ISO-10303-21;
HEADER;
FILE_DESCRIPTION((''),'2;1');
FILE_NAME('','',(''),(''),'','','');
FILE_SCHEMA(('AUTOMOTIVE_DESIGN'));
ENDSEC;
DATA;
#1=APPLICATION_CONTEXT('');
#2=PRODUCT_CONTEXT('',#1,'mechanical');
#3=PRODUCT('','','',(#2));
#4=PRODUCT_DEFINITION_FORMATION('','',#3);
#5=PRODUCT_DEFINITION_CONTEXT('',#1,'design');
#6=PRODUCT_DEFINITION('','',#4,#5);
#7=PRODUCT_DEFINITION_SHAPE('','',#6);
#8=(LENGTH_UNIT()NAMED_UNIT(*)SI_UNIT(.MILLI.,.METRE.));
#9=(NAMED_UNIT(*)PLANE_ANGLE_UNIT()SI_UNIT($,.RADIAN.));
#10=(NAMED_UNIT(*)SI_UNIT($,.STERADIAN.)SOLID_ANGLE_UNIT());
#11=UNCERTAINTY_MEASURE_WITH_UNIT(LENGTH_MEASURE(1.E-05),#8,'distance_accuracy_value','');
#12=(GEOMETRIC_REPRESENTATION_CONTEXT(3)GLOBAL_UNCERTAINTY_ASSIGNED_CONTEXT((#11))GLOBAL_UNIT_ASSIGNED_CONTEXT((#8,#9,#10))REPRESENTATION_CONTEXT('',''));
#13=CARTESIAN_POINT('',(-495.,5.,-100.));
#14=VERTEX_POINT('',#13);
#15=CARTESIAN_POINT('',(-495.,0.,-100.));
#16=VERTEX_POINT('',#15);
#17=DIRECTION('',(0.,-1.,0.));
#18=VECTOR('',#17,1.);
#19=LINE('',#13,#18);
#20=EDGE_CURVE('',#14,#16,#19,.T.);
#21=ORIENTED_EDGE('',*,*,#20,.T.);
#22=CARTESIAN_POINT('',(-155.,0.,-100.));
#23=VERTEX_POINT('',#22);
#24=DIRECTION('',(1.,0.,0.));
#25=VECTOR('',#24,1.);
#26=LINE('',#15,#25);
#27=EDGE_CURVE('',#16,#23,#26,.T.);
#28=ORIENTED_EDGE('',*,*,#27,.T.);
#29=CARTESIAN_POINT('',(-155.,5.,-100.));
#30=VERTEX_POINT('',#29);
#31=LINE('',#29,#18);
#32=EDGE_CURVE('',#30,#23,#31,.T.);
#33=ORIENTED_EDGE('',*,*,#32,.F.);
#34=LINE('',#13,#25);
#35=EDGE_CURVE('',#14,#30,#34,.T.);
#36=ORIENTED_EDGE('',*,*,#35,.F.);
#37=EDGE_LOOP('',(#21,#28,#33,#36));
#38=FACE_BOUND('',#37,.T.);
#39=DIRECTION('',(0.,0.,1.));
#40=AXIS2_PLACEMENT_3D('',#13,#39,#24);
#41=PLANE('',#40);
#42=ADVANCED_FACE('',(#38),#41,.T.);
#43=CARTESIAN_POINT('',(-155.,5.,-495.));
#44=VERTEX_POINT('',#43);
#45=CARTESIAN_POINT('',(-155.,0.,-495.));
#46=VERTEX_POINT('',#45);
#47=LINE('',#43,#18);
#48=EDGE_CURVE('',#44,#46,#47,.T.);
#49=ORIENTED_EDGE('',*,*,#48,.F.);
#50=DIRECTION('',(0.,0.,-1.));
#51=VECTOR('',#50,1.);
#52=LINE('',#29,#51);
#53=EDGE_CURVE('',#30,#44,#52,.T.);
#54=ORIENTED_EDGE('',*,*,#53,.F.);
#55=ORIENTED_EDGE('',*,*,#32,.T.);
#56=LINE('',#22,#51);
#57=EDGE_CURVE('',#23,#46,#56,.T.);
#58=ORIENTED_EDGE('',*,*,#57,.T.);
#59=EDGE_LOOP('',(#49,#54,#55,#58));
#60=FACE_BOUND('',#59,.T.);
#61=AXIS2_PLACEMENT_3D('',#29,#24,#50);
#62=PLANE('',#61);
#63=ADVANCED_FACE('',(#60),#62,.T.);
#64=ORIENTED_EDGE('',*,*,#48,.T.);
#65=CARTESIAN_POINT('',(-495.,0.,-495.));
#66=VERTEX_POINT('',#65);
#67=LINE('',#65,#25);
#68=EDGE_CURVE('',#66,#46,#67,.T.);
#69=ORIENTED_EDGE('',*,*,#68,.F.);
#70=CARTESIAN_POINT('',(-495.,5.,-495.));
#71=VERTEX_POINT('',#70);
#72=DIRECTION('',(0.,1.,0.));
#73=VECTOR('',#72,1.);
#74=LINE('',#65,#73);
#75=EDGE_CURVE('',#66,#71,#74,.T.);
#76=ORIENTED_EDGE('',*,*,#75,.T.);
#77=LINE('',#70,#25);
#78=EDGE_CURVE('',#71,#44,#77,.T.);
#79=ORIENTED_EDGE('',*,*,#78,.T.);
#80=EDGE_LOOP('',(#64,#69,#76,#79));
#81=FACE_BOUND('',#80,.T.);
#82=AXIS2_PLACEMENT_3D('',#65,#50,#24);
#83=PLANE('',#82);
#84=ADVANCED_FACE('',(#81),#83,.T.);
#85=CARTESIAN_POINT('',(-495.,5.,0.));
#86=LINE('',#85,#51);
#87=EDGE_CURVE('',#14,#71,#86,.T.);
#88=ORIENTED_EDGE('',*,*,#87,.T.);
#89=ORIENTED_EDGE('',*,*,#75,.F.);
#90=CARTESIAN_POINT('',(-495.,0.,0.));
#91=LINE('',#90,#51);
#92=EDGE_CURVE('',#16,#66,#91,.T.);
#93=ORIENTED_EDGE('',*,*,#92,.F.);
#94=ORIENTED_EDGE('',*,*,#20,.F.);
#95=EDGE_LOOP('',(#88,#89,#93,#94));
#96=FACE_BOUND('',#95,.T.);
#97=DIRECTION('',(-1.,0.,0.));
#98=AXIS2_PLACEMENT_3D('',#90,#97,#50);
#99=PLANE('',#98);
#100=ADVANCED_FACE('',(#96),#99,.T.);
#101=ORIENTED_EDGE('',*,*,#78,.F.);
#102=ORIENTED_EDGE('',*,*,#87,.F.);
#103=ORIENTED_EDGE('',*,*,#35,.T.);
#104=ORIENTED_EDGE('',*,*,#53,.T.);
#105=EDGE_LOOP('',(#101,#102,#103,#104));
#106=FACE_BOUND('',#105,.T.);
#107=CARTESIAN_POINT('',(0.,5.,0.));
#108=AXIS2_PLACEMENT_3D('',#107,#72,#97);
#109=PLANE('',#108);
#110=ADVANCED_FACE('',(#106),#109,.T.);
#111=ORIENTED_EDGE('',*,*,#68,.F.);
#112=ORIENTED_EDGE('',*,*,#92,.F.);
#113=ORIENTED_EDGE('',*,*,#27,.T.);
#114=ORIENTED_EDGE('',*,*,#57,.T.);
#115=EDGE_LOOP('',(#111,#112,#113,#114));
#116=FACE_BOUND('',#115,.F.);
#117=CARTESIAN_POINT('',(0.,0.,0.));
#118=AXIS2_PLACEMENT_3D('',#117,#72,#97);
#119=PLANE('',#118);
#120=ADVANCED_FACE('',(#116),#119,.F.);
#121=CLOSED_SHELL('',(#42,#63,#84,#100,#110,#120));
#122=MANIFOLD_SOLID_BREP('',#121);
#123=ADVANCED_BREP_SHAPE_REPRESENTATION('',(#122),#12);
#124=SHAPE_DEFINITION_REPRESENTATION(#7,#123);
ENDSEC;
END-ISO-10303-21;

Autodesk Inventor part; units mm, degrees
ref_plane "YZ Plane" through (0, 0, 0) normal (1, 0, 0) x (0, 1, 0)
ref_plane "XZ Plane" through (0, 0, 0) normal (0, 1, 0) x (-1, 0, 0)
ref_plane "XY Plane" through (0, 0, 0) normal (0, 0, 1) x (1, 0, 0)
sketch "Esquisse1" plane through (0, 0, 0) normal (0, 1, 0) x (-1, 0, 0)
  line L0 (0, 0) -> (495, 0)
  line L1 (495, 0) -> (495, -495)
  line L2 (495, -495) -> (0, -495)
  line L3 (0, -495) -> (0, 0)
  dimension "d0" = 495
  dimension "d1" = 495
extrude "Extrusion1" add sketch "Esquisse1" along normal blind 5
sketch "Esquisse2" plane through (0, 5, 0) normal (0, 1, 0) x (1, 0, 0)
  line L0 (0, 0) -> (0, 495) projected
  line L1 (0, 0) -> (-495, 0)
  line L2 (-495, 0) -> (-495, 100)
  line L3 (-495, 100) -> (0, 100)
  line L4 (0, 100) -> (0, 0)
  dimension "d4" = 495
  dimension "d5" = 100
extrude "Extrusion2" cut sketch "Esquisse2" against normal blind 5
sketch "Esquisse3" plane through (0, 5, 0) normal (0, 1, 0) x (1, 0, 0)
  line L0 (0, 100) -> (-495, 100) projected
  line L1 (0, 495) -> (-495, 495) projected
  line L2 (0, 100) -> (-155, 100)
  line L3 (-155, 100) -> (-155, 495)
  line L4 (-155, 495) -> (0, 495)
  line L5 (0, 495) -> (0, 100)
  point P0 (0, 0)
  dimension "d8" = 155
extrude "Extrusion3" cut sketch "Esquisse3" against normal blind 5
properties part number "planche" material "Bois (bouleau)"
